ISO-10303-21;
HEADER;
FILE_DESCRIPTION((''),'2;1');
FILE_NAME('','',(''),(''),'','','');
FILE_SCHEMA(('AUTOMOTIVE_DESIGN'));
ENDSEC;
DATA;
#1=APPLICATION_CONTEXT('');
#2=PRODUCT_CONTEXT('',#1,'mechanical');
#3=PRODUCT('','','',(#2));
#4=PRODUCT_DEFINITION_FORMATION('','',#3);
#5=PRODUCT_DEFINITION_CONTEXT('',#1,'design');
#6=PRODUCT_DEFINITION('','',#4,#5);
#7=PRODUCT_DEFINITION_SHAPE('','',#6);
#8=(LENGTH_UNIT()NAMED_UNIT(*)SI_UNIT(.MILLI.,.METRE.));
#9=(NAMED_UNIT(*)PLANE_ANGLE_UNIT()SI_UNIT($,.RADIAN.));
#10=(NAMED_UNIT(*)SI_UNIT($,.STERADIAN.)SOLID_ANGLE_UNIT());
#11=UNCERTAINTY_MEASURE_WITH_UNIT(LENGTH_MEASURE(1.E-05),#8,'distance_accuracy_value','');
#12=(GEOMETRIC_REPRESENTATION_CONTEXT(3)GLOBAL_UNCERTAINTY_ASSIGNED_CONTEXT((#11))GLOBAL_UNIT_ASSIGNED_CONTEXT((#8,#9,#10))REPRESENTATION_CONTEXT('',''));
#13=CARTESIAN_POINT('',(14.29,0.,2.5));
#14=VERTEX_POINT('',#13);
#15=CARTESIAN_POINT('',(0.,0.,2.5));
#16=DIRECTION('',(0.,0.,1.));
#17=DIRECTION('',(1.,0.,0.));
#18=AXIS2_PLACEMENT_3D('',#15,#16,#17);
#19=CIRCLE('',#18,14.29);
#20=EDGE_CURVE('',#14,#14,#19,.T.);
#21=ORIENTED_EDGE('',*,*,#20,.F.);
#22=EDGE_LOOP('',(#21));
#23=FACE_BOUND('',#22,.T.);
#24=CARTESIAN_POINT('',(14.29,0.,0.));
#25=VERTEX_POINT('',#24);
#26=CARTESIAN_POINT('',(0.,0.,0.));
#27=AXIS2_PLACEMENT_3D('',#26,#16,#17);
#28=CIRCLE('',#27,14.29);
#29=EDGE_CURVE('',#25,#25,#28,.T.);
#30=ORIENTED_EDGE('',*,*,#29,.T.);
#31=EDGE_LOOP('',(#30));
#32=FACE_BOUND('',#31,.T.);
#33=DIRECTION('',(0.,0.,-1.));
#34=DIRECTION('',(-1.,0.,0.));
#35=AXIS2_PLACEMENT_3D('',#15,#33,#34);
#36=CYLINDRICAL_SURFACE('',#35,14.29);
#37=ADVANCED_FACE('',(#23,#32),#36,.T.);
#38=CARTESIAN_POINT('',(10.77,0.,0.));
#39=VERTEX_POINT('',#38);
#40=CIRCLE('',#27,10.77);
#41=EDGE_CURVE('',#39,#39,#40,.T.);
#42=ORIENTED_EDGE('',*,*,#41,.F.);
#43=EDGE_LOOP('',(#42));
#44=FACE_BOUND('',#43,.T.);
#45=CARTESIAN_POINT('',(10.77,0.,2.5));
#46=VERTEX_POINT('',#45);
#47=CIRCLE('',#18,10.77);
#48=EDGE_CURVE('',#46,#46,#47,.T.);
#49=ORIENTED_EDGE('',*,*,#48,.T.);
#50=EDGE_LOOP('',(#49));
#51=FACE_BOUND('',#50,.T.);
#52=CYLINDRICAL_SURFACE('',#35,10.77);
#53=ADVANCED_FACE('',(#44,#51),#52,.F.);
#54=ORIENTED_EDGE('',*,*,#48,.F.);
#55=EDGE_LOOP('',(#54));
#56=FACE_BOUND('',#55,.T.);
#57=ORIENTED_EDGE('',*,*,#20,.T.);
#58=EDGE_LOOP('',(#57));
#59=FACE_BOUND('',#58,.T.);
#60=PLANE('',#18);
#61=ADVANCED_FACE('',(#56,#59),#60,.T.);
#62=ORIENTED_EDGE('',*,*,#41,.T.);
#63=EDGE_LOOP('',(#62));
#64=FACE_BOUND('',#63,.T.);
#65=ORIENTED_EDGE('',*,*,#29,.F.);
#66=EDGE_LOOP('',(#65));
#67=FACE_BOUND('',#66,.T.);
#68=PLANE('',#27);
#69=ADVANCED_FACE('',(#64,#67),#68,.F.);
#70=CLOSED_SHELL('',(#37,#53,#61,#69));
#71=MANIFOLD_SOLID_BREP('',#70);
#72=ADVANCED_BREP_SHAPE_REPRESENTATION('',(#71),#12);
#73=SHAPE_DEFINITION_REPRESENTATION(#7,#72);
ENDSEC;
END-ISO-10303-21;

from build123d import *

# Parameters (mm, degrees)
IZIM1_R                     = 14.29
IZIM1_R_2                   = 11.6
IZIM1_R_3                   = 10.77
Y_KSEKLIK_EKSTR_ZYON4_DEPTH = 2.5


with BuildPart() as part:
    # Çizim1 → Yükseklik-Ekstrüzyon4 (new body)
    # profile 1 of 2: a face of its own
    with BuildSketch(Plane.XY):
        Circle(IZIM1_R)
        Circle(IZIM1_R_2, mode=Mode.SUBTRACT)
    # profile 2 of 2: a face of its own
    with BuildSketch(Plane.XY):
        Circle(IZIM1_R_2)
        Circle(IZIM1_R_3, mode=Mode.SUBTRACT)
    extrude(amount=Y_KSEKLIK_EKSTR_ZYON4_DEPTH)


solid = part.part
